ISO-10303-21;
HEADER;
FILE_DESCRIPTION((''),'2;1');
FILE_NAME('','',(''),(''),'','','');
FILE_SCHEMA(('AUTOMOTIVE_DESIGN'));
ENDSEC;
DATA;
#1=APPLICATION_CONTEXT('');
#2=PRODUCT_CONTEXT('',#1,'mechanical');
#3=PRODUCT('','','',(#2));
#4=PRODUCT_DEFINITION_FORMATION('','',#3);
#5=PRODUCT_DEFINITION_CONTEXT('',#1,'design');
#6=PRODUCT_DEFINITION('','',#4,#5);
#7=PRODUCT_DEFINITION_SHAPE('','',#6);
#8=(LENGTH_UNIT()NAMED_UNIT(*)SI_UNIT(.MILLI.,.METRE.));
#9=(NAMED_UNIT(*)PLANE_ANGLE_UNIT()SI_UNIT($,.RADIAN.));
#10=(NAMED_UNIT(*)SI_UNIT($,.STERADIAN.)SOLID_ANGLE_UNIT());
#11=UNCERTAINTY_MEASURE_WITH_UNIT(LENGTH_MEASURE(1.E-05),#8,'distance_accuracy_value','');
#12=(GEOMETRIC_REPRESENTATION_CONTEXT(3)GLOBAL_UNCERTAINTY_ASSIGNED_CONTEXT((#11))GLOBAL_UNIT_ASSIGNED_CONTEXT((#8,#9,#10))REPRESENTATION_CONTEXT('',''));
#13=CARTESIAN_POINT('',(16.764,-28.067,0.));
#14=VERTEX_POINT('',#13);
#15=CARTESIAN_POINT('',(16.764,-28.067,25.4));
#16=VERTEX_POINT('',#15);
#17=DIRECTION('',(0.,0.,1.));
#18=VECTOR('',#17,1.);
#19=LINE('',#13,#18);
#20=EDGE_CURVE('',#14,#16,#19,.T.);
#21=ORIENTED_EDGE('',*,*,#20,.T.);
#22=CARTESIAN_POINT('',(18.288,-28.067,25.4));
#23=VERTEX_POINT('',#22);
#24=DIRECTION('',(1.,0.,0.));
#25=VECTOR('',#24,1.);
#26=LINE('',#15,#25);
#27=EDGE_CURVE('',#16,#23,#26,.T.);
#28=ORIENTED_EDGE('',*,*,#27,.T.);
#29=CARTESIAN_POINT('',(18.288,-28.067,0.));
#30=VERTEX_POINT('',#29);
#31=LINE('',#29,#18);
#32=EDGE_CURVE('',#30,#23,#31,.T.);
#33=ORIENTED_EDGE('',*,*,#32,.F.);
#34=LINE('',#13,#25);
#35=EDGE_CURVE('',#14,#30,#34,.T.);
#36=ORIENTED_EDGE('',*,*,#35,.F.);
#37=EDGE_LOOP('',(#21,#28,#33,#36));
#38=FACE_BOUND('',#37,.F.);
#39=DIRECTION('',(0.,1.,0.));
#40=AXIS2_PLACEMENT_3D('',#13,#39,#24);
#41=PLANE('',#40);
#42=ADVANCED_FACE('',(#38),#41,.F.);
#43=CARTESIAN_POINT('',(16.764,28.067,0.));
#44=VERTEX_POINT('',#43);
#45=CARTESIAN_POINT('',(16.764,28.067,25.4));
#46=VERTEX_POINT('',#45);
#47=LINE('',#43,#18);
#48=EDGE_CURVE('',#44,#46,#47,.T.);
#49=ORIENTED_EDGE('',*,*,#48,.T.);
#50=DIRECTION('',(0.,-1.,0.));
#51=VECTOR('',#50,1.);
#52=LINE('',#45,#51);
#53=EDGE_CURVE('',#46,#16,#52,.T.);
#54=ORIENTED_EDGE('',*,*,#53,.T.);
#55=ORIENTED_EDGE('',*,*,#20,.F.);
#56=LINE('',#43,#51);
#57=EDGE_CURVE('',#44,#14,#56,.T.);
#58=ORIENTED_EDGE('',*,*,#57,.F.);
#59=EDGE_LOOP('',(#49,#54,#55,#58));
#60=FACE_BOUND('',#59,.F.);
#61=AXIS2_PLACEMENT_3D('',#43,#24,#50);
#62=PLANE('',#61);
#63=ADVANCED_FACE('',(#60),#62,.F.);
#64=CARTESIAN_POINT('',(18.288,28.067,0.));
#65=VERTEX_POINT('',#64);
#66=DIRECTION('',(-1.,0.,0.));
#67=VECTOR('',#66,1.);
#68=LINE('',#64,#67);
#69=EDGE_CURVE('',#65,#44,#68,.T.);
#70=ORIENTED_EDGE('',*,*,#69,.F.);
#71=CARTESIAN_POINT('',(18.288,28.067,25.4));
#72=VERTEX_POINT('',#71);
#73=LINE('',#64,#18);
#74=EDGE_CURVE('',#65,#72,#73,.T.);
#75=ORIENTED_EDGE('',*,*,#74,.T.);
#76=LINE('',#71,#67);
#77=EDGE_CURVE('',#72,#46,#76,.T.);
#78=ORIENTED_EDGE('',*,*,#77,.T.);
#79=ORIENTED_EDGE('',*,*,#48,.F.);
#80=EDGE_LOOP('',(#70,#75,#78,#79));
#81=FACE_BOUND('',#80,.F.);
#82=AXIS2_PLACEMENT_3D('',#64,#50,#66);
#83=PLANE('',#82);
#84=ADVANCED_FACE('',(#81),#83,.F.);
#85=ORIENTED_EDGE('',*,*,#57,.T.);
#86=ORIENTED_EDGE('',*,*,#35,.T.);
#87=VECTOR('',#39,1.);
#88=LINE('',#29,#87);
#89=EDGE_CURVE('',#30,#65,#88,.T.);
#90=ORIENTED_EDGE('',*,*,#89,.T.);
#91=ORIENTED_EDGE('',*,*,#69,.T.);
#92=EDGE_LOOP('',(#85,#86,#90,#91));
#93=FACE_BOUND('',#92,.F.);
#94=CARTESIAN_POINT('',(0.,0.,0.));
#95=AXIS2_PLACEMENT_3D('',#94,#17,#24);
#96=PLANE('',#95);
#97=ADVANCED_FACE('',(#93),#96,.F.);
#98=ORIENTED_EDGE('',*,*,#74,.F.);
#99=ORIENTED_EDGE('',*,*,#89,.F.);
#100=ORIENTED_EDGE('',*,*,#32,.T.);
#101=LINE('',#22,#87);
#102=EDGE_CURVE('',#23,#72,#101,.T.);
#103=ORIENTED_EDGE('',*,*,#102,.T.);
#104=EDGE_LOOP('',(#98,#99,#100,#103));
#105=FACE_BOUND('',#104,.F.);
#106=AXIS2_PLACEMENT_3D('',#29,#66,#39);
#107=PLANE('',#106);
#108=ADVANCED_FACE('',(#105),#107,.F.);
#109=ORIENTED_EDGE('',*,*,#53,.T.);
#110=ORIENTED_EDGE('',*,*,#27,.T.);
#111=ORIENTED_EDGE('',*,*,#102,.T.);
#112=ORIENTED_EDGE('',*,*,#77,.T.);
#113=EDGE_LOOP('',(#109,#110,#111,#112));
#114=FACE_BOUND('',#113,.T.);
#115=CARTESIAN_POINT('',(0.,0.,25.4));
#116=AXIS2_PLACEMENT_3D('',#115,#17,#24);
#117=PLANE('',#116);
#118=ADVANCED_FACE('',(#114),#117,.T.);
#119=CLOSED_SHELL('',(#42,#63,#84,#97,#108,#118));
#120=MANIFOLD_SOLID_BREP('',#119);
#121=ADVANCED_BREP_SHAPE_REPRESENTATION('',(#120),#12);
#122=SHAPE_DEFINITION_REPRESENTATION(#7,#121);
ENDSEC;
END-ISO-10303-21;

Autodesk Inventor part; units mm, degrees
ref_plane "YZ Plane" through (0, 0, 0) normal (1, 0, 0) x (0, 1, 0)
ref_plane "XZ Plane" through (0, 0, 0) normal (0, 1, 0) x (-1, 0, 0)
ref_plane "XY Plane" through (0, 0, 0) normal (0, 0, 1) x (1, 0, 0)
sketch "Sketch1" plane through (0, 0, 0) normal (0, 0, 1) x (1, 0, 0)
  line L0 (16.256, -19.05) -> (16.256, -28.575) projected
  line L1 (18.796, -28.575) -> (16.256, -28.575) projected
  line L2 (18.796, -28.575) -> (18.796, -26.035) projected
  line L3 (18.796, -26.035) -> (21.336, -26.035) projected
  line L4 (25.4, 28.575) -> (25.4, -28.575) projected
  line L5 (21.336, 26.035) -> (18.796, 26.035) projected
  line L6 (18.796, 26.035) -> (18.796, 28.575) projected
  line L7 (16.256, 28.575) -> (18.796, 28.575) projected
  line L8 (16.256, 28.575) -> (16.256, 19.05) projected
  line L9 (21.336, 28.575) -> (25.4, 28.575) projected
  line L10 (-25.4, -19.05) -> (-25.4, 19.05) projected
  line L11 (25.4, -28.575) -> (21.336, -28.575) projected
  line L12 (16.256, -28.575) -> (18.796, -28.575)
  line L13 (18.796, -28.575) -> (18.796, 28.575)
  line L14 (18.796, 28.575) -> (16.256, 28.575)
  line L15 (16.256, 28.575) -> (16.256, -28.575)
  line L16 (16.764, -28.067) -> (18.288, -28.067)
  line L17 (18.288, -28.067) -> (18.288, 28.067)
  line L18 (18.288, 28.067) -> (16.764, 28.067)
  line L19 (16.764, 28.067) -> (16.764, -28.067)
  line L20 (21.336, -26.035) -> (21.336, -28.575) projected
  line L21 (21.336, 28.575) -> (21.336, 26.035) projected
  line L22 (16.256, 19.05) -> (-25.4, 19.05) projected
  line L23 (-25.4, -19.05) -> (16.256, -19.05) projected
  point P0 (0, 0)
  dimension "d0" = 0.508
extrude "Extrusion1" add sketch "Sketch1" along normal blind 25.4 contours L19 L18 L17 L16
properties part number "Sliding Plate_3DPrint"
